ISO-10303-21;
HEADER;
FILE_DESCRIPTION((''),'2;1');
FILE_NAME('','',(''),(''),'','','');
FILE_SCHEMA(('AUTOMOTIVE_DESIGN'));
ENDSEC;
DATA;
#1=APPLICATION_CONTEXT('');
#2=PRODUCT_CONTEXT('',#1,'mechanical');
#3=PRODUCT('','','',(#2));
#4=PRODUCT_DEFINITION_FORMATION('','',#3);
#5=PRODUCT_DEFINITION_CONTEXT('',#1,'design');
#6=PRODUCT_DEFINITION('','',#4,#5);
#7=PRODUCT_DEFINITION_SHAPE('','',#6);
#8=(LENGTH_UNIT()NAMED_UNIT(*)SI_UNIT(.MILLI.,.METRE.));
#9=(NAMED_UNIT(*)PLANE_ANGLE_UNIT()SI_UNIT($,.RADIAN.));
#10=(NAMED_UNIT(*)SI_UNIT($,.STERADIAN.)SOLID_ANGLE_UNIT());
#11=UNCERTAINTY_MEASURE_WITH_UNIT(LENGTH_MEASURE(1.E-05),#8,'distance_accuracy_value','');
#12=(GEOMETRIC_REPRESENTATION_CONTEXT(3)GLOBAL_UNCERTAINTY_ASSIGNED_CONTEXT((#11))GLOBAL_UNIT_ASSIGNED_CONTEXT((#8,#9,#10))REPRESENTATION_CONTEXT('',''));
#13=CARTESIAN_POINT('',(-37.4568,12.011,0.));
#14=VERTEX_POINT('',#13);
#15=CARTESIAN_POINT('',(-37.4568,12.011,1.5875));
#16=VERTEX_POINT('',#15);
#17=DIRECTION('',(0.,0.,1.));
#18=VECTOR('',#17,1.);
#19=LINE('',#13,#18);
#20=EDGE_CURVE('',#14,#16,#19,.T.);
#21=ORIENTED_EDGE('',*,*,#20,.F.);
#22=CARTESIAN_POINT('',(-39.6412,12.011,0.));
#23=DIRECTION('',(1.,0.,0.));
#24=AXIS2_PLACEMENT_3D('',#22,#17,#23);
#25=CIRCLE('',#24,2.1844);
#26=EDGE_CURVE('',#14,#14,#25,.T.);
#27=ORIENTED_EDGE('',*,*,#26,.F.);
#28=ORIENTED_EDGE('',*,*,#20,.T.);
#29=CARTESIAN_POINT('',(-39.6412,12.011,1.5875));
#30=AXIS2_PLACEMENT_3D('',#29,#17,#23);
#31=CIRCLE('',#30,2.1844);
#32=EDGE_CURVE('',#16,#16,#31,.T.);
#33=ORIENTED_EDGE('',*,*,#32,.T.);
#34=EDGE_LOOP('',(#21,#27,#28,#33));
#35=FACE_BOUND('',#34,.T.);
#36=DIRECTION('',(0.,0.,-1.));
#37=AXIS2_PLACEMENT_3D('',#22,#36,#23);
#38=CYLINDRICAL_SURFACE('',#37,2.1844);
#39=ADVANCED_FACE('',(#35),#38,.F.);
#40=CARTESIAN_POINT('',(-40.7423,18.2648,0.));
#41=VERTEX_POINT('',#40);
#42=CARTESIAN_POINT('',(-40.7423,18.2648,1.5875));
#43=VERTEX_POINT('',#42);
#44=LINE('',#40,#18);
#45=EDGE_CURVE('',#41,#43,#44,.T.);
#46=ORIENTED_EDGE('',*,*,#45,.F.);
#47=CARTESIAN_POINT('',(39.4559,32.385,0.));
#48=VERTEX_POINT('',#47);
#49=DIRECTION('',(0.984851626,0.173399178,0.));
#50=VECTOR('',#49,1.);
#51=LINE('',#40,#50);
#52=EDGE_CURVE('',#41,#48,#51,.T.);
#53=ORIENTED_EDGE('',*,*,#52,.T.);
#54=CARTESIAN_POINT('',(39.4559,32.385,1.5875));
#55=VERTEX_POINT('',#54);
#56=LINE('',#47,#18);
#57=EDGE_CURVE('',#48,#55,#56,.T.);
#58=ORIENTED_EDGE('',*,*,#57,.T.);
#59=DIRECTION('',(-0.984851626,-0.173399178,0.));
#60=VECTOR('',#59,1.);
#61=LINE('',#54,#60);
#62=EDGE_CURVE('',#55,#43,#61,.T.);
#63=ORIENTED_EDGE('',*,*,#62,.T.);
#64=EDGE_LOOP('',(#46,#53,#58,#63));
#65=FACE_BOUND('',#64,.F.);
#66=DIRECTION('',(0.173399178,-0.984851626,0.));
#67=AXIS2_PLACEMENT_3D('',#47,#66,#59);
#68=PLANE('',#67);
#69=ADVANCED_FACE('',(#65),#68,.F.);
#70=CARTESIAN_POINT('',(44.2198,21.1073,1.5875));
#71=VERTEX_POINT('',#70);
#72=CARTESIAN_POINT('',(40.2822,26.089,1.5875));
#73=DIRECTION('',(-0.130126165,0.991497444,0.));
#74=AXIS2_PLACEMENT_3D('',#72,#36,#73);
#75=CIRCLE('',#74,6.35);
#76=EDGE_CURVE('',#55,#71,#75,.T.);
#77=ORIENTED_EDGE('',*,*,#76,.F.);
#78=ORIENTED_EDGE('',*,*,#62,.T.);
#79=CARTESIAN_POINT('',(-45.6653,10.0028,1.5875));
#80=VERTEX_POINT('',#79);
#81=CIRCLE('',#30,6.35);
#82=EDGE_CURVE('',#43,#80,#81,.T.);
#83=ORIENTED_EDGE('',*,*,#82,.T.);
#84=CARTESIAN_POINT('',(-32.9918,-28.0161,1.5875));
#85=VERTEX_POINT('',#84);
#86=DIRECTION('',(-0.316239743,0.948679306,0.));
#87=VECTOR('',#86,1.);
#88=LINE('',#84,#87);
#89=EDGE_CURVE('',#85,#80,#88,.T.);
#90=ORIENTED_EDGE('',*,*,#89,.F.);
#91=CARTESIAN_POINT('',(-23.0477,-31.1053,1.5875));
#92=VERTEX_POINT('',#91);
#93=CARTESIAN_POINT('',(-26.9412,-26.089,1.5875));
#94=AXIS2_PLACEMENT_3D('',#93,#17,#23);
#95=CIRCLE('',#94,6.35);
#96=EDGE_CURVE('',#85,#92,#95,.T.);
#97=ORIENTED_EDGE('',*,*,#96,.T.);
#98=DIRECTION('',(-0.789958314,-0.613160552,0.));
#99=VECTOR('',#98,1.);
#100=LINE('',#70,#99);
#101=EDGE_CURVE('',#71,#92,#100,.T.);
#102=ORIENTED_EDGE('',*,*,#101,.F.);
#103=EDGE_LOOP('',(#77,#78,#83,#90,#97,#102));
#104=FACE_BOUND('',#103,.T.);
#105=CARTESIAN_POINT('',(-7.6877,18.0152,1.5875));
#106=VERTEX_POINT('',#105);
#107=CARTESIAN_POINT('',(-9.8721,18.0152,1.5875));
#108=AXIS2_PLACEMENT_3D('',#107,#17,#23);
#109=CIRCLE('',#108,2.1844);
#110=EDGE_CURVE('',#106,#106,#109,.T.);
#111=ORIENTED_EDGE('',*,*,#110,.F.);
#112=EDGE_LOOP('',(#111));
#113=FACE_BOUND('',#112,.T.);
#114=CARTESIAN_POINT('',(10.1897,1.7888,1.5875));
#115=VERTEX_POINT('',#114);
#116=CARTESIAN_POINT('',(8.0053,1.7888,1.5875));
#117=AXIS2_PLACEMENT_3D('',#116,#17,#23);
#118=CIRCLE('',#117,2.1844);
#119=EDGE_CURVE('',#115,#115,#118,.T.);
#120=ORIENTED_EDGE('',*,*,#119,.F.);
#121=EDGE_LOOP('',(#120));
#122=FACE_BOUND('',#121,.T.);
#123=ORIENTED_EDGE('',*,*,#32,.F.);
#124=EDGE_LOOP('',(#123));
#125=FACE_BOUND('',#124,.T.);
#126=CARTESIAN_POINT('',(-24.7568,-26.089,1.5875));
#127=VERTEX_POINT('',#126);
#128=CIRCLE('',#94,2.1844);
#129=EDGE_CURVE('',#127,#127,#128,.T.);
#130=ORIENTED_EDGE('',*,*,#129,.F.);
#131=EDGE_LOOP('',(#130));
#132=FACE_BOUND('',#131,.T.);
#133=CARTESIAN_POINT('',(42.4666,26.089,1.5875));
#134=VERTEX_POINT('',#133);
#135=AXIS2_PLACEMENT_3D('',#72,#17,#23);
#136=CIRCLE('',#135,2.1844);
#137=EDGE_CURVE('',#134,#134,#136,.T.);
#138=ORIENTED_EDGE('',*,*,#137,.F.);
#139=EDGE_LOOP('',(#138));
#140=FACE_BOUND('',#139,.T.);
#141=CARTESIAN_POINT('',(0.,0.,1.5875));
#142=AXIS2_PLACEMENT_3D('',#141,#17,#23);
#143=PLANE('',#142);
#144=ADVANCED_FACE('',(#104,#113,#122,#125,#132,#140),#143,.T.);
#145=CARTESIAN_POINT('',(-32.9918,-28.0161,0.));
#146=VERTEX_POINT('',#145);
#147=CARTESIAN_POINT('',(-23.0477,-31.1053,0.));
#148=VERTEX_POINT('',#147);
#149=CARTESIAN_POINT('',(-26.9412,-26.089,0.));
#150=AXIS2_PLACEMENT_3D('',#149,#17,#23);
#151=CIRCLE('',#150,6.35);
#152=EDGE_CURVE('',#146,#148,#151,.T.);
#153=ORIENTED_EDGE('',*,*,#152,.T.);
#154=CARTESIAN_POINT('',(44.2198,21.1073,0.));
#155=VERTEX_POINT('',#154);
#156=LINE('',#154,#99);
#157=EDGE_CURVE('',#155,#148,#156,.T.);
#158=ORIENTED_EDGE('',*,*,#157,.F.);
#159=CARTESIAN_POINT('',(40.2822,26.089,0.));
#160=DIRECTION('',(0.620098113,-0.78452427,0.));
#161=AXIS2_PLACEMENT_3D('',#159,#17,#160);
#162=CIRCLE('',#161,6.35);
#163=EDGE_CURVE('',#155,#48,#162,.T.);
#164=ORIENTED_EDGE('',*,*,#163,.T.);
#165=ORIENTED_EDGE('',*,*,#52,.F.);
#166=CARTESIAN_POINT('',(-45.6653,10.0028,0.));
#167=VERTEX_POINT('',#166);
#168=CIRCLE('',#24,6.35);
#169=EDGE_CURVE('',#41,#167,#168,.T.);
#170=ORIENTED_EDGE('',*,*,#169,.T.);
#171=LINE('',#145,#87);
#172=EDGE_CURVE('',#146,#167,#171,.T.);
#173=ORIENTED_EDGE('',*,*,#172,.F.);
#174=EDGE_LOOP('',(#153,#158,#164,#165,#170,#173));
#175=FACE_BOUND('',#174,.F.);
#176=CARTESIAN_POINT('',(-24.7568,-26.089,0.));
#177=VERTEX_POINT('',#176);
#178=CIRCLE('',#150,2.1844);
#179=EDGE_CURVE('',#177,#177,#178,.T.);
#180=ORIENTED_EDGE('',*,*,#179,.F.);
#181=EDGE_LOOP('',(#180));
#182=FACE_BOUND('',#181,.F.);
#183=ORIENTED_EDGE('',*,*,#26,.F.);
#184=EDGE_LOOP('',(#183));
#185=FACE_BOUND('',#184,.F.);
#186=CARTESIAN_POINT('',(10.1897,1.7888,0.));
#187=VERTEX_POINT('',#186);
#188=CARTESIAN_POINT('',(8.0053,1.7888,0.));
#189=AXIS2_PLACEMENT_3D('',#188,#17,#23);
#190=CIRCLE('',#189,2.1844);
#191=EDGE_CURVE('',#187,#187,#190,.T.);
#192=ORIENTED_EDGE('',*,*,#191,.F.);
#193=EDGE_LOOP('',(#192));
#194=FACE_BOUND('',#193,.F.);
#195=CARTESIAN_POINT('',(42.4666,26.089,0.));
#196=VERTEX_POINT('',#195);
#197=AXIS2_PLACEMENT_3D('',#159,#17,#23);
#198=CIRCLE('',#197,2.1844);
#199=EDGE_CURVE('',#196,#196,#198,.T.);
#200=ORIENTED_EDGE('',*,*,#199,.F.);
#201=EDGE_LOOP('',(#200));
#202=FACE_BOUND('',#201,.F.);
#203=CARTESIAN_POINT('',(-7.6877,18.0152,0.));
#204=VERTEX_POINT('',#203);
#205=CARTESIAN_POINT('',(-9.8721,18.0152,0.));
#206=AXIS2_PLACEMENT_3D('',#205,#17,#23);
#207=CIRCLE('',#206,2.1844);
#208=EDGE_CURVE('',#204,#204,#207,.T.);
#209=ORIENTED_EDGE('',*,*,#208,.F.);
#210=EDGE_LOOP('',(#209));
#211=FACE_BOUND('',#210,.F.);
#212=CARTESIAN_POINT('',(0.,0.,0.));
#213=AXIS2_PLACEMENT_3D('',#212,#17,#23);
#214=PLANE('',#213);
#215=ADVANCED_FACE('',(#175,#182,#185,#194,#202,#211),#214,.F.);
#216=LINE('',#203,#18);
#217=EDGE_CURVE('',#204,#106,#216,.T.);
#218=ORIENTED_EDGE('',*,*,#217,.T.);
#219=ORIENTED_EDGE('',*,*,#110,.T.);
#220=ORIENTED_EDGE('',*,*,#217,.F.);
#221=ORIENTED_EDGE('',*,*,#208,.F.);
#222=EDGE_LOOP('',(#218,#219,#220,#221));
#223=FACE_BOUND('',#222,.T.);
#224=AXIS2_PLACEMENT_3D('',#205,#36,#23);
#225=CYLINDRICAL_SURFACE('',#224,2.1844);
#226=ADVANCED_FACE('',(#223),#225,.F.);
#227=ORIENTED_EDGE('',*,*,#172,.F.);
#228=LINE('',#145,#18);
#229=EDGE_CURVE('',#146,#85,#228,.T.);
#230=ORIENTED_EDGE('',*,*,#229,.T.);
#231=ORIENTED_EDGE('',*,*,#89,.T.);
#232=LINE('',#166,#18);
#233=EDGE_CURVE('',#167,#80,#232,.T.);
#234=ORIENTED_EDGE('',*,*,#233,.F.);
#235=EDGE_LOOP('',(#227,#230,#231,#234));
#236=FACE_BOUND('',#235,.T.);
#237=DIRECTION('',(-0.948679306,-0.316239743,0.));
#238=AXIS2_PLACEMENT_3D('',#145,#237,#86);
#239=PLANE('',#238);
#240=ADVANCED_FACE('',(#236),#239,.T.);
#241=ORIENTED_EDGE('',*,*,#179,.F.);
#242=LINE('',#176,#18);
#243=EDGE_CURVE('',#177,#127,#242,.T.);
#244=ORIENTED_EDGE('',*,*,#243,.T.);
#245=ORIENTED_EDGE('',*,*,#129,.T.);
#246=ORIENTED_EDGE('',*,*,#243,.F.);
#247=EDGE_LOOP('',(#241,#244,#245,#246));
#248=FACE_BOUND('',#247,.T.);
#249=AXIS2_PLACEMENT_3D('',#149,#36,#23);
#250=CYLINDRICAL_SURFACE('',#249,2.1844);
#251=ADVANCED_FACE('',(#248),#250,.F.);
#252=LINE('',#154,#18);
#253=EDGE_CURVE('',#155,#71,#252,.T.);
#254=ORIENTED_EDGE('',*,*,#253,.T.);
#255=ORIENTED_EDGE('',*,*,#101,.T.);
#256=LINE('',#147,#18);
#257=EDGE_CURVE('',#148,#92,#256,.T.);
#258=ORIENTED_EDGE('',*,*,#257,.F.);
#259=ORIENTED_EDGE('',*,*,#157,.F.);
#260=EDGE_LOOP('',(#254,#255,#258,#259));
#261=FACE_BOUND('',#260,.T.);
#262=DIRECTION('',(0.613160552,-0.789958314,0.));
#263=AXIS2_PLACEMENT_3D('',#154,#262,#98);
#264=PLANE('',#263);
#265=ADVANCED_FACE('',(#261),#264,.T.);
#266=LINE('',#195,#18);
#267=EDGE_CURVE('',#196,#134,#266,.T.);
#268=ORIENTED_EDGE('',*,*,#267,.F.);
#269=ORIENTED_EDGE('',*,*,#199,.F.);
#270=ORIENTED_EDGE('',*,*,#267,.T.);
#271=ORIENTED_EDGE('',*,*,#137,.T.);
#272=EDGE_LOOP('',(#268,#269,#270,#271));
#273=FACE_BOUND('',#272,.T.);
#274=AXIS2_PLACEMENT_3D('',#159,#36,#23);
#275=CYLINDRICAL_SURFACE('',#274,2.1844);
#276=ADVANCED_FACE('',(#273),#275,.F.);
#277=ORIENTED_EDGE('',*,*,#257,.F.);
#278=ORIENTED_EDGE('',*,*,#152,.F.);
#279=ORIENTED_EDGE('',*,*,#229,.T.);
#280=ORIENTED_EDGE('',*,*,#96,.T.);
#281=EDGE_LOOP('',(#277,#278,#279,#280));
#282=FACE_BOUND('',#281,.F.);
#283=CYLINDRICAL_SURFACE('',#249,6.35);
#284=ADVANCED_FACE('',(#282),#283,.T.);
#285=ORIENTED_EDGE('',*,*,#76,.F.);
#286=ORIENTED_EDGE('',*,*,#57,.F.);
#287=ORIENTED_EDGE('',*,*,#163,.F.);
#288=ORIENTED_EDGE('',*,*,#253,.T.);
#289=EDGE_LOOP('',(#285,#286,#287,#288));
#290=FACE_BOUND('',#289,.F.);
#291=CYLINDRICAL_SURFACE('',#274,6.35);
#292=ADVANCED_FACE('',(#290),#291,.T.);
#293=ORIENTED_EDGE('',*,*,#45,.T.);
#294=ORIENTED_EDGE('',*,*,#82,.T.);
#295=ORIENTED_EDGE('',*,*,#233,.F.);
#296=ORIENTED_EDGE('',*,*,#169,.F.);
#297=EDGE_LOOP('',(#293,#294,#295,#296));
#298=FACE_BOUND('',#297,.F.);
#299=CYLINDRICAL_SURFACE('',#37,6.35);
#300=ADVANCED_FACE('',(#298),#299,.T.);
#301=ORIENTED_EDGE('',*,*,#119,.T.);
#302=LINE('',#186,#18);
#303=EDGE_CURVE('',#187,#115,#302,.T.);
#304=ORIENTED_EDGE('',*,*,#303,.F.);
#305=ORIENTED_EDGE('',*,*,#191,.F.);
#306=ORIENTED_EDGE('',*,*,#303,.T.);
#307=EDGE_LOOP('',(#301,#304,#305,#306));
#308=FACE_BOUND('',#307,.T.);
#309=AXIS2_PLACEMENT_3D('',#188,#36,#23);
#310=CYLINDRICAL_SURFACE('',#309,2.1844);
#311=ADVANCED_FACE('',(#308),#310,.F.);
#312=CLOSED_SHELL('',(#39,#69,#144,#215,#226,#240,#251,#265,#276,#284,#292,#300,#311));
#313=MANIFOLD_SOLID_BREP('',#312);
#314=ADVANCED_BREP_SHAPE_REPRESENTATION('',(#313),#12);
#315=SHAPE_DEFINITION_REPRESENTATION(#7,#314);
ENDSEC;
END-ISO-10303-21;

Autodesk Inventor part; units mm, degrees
ref_plane "YZ Plane" through (0, 0, 0) normal (1, 0, 0) x (0, 1, 0)
ref_plane "XZ Plane" through (0, 0, 0) normal (0, 1, 0) x (-1, 0, 0)
ref_plane "XY Plane" through (0, 0, 0) normal (0, 0, 1) x (1, 0, 0)
sketch "Sketch2" plane through (0, 0, 0) normal (0, 0, 1) x (1, 0, 0)
  circle A0 centre (-9.8721, 18.0152) radius 2.1844
  circle A1 centre (40.2822, 26.089) radius 2.1844
  circle A2 centre (-26.9412, -26.089) radius 2.1844
  circle A3 centre (-39.6412, 12.011) radius 2.1844
  circle A4 centre (8.0053, 1.7888) radius 2.1844
  circle A5 centre (40.2822, 26.089) radius 6.35
  circle A6 centre (-26.9412, -26.089) radius 6.35
  line L0 (44.2198, 21.1073) -> (-23.0477, -31.1053)
  circle A7 centre (-39.6412, 12.011) radius 6.35
  line L1 (-32.9918, -28.0161) -> (-45.6653, 10.0028)
  line L2 (39.4559, 32.385) -> (-40.7423, 18.2648)
  point P0 (0, 0)
  dimension "d12" = 12.7
  dimension "d13" = 12.7
  dimension "d14" = 12.7
extrude "Extrusion2" add sketch "Sketch2" along normal blind 1.5875 contours A5 L0 A6 L1 A7 L2 | A6 | A7
properties part number "Lbsupportpoly"
